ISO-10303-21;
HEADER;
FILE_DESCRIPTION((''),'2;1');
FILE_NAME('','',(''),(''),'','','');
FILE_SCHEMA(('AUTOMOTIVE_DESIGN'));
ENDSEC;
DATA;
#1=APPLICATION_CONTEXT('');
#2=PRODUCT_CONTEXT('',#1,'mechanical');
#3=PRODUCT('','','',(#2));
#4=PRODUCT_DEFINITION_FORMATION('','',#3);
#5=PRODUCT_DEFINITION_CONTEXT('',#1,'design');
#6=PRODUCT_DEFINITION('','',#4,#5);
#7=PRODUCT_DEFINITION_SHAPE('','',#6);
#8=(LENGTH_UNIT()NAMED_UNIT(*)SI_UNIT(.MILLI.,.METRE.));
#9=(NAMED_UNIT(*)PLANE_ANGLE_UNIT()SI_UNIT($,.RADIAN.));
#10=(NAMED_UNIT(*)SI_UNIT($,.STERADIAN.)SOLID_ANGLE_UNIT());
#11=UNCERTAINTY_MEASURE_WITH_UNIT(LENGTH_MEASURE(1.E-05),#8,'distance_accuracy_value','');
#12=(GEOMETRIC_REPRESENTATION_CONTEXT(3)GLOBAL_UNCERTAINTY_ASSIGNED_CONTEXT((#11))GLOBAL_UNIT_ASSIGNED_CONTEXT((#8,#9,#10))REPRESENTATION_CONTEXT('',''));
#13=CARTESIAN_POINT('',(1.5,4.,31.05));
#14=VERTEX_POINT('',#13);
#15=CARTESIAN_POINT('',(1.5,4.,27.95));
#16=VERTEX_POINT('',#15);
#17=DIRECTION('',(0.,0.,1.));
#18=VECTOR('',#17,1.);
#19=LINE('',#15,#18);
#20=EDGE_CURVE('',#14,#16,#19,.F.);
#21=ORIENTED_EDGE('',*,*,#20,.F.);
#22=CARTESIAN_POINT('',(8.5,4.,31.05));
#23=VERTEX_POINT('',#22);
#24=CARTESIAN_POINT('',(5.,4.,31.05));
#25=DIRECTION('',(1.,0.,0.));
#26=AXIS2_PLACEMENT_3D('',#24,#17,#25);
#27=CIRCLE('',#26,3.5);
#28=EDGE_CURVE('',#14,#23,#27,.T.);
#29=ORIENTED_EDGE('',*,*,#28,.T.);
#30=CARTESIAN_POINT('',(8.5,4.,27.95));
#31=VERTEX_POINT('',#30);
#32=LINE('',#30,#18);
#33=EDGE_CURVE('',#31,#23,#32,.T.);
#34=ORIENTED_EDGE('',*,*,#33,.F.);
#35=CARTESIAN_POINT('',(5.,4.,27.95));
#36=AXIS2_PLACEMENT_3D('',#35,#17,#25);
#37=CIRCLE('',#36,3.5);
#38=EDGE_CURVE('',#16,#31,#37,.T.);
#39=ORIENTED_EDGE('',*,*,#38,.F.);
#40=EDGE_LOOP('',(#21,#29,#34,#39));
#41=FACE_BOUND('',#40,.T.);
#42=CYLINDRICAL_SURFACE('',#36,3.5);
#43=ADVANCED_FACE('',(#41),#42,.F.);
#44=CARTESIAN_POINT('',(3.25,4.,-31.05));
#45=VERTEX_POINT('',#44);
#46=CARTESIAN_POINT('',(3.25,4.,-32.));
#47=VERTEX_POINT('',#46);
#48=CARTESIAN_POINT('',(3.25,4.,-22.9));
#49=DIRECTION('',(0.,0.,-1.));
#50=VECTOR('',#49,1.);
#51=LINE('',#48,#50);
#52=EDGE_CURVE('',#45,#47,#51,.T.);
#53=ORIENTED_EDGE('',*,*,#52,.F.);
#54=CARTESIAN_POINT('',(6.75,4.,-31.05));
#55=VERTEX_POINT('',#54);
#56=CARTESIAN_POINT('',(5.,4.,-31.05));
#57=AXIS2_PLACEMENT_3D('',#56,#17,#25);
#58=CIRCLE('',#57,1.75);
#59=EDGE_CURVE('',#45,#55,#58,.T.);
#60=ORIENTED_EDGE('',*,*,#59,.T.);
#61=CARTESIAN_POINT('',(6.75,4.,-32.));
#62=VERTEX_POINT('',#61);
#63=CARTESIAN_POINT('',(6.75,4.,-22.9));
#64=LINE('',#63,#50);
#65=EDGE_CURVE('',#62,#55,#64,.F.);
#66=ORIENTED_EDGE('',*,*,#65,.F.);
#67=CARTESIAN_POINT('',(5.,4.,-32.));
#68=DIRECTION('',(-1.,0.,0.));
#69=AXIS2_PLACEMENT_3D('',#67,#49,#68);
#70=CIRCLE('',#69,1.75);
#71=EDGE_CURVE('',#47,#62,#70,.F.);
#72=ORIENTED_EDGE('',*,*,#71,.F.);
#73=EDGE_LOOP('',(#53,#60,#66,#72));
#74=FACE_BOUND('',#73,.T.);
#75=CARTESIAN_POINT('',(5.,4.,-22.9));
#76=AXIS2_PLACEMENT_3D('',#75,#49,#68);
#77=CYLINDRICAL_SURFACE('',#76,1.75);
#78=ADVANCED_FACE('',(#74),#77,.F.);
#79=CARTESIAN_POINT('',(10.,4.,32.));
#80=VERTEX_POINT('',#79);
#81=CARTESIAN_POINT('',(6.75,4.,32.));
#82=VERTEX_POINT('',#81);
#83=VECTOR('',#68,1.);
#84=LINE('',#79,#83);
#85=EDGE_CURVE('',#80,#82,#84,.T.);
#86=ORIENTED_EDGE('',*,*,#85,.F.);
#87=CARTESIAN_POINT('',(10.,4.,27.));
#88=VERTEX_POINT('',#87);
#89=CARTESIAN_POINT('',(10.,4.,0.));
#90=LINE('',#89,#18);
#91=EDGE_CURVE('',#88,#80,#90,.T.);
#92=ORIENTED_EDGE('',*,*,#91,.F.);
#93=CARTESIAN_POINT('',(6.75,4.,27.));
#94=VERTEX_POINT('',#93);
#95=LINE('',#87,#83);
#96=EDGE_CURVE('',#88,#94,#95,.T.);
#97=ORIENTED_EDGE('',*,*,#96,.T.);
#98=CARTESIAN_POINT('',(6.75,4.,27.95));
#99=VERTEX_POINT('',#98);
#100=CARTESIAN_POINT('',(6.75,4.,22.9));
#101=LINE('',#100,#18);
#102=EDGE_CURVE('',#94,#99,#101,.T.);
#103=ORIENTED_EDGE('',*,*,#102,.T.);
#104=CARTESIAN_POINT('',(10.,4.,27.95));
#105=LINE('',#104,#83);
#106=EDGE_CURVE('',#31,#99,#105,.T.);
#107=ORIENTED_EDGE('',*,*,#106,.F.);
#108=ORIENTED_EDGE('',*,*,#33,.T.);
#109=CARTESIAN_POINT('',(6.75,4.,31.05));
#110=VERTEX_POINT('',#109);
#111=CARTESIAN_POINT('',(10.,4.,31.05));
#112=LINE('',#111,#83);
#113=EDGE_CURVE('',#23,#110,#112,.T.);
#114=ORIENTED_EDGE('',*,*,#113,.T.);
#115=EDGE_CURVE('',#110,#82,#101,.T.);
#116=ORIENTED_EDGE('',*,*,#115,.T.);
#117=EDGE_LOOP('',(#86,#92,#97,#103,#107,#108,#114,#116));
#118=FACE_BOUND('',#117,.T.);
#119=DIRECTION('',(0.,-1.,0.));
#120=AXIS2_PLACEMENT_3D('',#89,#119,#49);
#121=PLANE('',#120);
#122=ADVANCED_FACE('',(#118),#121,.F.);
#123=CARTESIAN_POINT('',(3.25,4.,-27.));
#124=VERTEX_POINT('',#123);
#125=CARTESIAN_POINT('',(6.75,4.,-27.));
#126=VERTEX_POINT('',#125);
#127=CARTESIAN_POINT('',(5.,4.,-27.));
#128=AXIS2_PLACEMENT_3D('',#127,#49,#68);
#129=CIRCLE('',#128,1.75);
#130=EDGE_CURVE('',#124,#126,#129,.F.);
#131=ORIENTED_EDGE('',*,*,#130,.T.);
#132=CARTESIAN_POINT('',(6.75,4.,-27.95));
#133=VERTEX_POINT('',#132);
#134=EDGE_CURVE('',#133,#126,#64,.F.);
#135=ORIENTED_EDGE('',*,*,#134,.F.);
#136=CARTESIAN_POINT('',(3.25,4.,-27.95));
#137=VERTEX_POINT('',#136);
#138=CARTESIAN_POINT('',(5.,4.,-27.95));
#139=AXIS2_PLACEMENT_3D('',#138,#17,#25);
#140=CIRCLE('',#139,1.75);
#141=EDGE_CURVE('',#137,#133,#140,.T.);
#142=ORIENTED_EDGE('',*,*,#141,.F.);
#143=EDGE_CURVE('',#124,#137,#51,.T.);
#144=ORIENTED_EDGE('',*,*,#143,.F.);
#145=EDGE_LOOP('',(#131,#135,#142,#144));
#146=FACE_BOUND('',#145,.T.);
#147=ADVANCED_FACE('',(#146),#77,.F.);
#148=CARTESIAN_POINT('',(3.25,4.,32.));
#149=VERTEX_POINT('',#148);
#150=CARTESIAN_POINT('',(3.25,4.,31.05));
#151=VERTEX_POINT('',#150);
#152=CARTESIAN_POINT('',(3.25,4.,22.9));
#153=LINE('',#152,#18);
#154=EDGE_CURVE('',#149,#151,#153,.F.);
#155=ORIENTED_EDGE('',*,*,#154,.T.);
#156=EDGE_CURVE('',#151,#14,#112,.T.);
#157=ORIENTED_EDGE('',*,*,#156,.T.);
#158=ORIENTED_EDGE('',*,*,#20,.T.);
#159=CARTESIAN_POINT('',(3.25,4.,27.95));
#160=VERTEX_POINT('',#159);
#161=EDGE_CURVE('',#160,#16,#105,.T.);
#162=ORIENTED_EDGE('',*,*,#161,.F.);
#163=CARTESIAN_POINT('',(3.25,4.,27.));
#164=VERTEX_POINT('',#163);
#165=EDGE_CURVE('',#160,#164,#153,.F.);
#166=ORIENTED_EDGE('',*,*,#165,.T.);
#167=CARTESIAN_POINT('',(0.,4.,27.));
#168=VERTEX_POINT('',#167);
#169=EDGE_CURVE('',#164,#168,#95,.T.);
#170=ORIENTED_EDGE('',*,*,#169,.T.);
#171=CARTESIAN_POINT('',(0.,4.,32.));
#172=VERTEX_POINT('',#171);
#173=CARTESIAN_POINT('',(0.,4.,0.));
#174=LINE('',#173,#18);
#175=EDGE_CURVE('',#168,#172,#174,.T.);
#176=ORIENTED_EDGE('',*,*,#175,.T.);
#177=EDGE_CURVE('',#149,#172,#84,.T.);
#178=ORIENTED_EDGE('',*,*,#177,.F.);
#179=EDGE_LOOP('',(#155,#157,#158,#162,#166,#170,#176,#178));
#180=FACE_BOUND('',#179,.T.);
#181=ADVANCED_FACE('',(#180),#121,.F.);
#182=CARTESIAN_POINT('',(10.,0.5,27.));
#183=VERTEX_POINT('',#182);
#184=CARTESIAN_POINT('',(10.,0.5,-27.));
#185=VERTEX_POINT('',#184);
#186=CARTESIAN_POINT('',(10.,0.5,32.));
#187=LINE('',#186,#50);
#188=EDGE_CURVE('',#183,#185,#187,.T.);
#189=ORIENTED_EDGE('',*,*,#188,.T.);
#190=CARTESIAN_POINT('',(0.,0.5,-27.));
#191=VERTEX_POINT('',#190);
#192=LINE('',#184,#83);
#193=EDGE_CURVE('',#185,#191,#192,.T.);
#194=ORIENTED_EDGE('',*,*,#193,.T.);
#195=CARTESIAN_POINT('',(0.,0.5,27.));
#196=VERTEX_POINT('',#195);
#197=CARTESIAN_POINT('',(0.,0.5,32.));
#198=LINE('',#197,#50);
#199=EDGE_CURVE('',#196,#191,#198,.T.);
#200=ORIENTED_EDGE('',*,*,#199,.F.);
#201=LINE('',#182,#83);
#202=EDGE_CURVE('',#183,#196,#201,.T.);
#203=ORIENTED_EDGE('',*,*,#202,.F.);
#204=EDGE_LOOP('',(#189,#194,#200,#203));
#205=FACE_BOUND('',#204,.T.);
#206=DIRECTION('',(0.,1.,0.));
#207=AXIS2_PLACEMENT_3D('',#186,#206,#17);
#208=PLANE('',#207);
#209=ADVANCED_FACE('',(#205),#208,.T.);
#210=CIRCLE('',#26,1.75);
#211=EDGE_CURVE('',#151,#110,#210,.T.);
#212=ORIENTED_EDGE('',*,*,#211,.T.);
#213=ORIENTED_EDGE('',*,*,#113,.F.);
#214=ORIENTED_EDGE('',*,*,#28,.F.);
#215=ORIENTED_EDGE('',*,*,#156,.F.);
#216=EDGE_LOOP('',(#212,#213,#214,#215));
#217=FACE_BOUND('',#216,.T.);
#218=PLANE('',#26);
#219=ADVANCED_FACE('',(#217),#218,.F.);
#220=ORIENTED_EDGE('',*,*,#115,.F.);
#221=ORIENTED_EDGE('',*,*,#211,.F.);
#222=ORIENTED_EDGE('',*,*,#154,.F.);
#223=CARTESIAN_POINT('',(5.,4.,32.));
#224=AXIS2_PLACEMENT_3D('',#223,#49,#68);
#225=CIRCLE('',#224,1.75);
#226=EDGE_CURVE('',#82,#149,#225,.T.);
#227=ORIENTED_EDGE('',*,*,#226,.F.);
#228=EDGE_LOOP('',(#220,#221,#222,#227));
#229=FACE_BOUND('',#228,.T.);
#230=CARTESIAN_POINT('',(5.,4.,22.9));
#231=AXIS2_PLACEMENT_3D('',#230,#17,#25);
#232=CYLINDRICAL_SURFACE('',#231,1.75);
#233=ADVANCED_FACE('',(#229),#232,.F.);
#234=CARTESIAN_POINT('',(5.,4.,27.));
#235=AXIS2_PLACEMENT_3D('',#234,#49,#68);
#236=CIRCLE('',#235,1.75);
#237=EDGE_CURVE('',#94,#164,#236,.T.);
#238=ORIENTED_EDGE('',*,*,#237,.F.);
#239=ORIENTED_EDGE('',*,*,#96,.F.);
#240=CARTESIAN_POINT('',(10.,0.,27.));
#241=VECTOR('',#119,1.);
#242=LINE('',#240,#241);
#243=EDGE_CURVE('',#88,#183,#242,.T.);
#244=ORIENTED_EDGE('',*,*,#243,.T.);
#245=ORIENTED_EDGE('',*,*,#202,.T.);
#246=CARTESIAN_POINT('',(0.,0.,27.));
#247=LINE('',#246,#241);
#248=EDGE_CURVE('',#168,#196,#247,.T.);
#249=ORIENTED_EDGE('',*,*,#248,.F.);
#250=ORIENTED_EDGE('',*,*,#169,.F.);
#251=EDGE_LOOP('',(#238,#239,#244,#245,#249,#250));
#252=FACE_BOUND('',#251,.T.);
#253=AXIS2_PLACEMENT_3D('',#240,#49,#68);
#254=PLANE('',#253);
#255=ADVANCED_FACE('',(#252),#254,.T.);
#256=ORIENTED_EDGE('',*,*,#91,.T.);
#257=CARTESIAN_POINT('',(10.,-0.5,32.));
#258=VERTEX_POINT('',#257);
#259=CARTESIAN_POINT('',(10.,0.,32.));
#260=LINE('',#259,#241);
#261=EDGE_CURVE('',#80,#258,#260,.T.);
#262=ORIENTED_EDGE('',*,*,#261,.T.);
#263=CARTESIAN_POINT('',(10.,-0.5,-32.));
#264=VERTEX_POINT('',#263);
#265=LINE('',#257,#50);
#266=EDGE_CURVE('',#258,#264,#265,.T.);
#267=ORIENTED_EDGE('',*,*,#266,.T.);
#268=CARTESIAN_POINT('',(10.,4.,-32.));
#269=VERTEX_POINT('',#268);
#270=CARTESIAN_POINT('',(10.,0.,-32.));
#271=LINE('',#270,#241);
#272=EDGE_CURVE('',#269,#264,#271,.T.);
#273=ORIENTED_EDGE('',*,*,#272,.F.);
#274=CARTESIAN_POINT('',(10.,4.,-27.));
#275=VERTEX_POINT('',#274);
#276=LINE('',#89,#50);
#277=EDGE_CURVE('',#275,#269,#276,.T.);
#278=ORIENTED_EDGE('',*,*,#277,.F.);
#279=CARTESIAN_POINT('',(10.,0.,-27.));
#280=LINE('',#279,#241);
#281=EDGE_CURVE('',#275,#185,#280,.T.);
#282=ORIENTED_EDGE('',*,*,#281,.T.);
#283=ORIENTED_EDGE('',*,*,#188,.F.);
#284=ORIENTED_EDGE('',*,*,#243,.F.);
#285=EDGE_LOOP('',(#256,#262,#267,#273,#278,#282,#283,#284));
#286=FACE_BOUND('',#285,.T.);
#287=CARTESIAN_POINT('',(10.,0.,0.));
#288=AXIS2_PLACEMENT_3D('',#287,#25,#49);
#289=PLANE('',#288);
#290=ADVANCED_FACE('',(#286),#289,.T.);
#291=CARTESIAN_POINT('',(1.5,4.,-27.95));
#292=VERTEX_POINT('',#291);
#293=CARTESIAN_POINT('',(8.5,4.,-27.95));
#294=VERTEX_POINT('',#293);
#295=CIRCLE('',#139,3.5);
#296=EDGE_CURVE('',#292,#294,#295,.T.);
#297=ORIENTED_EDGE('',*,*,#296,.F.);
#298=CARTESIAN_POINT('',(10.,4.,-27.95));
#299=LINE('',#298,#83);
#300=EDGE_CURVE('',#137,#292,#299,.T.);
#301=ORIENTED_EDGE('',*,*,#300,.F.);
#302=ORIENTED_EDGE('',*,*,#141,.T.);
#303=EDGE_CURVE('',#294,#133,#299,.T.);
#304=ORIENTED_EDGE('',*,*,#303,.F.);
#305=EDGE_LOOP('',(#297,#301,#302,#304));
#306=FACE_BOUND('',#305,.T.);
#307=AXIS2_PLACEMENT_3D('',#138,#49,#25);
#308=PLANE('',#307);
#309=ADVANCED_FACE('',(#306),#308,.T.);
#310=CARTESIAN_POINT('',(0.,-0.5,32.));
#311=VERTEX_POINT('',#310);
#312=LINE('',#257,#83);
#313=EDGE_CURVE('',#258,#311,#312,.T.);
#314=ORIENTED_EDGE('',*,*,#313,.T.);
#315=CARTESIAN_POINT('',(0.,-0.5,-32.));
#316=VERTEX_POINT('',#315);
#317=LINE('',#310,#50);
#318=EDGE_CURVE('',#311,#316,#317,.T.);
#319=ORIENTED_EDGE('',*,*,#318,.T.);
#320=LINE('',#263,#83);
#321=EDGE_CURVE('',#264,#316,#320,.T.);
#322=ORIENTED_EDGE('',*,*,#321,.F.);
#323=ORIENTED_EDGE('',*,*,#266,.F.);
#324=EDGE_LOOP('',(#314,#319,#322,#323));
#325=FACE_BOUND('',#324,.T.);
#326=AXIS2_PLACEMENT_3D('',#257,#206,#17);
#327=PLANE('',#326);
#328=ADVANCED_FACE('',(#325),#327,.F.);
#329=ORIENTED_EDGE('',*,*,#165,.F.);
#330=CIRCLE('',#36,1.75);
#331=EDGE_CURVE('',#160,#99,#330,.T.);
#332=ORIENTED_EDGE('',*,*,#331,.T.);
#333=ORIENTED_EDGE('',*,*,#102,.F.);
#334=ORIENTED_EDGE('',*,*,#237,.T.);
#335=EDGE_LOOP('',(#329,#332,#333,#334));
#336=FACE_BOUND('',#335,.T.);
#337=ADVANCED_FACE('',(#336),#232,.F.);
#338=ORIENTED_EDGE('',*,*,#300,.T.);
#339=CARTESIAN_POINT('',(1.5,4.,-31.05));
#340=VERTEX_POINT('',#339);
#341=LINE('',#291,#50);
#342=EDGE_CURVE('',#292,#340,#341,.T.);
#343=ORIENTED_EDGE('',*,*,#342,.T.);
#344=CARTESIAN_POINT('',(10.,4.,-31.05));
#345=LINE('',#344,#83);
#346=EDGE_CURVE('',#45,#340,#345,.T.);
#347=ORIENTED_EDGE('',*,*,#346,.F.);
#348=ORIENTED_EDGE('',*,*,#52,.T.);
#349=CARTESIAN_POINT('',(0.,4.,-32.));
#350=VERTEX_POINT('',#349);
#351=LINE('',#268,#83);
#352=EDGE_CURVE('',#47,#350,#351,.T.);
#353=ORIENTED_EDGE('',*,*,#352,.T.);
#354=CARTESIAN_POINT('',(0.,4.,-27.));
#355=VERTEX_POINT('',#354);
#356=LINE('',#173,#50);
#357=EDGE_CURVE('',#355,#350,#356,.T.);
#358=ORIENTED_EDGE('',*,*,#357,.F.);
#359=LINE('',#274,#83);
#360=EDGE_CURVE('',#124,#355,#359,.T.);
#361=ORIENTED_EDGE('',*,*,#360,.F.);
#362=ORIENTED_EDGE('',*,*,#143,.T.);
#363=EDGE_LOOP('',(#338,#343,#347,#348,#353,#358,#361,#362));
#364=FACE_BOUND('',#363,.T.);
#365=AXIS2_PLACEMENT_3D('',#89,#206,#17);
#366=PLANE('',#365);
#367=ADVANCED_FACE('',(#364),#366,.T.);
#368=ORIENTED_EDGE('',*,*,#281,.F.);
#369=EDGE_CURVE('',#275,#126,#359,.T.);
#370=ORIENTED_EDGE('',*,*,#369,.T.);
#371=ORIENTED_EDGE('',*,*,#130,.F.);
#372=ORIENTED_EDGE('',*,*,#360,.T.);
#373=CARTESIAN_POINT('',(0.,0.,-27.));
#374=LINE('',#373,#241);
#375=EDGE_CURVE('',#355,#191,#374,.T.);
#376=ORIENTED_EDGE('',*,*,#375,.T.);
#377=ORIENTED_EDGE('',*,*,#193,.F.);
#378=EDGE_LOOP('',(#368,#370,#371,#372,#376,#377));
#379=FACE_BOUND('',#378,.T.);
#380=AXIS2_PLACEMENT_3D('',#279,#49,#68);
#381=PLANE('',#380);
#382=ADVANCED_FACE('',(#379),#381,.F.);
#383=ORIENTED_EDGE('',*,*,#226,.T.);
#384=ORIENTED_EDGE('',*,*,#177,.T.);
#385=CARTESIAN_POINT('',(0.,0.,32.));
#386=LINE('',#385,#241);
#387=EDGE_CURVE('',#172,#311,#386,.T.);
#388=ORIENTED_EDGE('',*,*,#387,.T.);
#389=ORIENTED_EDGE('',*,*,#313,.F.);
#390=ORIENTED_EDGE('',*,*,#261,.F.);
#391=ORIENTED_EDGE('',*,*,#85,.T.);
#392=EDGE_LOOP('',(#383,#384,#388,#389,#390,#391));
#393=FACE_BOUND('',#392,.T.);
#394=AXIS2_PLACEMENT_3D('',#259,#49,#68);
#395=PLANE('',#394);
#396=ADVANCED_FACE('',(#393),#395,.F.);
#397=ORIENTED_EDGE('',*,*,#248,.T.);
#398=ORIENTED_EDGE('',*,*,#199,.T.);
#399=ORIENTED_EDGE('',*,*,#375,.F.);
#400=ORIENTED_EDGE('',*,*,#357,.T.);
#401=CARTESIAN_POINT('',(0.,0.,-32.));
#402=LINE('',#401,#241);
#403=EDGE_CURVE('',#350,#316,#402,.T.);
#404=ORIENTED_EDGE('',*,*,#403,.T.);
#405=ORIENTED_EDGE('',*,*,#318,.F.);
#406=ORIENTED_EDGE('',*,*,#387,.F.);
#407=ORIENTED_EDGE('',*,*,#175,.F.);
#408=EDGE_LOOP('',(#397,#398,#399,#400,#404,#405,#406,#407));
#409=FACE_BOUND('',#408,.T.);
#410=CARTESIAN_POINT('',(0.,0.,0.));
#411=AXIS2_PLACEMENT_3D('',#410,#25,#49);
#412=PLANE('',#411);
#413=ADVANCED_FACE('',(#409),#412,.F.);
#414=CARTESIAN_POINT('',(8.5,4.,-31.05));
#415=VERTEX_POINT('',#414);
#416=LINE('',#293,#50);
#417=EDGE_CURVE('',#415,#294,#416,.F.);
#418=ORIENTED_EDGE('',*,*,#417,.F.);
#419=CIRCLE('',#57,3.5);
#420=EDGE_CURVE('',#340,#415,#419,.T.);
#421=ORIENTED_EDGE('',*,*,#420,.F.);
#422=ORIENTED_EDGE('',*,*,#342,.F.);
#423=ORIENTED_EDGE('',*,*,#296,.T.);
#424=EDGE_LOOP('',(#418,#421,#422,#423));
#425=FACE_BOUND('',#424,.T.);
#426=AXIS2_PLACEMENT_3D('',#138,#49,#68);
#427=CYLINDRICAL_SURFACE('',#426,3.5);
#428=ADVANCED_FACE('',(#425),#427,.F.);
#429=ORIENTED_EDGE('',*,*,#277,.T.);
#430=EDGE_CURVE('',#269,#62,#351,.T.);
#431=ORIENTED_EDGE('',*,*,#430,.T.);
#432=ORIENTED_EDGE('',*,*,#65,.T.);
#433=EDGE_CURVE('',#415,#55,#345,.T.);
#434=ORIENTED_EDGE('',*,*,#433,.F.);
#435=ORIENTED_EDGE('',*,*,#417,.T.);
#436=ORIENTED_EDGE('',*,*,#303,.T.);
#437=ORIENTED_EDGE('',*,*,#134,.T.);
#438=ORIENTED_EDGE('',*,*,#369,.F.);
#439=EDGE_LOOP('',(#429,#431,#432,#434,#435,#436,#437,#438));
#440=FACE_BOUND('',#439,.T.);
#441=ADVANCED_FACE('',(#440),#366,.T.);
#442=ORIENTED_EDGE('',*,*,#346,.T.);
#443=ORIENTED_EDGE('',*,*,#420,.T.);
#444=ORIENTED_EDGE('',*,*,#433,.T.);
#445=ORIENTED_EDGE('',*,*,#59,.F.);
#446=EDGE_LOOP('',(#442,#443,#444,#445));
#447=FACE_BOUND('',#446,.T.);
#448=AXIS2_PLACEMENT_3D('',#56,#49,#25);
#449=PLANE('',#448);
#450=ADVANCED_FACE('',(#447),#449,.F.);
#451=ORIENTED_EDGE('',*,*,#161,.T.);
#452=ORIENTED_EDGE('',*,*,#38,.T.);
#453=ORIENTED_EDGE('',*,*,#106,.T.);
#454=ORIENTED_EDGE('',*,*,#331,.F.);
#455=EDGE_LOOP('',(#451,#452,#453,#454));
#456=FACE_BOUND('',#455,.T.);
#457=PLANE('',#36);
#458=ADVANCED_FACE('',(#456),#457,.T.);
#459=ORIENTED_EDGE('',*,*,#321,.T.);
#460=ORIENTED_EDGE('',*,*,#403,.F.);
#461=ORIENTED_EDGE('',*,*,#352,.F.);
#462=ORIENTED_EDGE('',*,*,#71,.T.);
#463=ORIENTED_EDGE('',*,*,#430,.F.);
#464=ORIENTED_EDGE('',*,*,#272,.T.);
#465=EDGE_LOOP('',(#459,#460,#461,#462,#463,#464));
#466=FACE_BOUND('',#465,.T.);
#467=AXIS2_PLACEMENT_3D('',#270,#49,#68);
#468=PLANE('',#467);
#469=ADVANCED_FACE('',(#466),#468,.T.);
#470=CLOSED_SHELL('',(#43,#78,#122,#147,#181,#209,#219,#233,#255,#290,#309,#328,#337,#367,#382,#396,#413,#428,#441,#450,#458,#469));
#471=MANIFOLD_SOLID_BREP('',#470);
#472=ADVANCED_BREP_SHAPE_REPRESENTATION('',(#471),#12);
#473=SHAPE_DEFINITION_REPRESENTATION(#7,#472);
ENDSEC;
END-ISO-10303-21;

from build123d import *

# Parameters (mm, degrees)
BOSS_EXTRUDE1_DEPTH = 10
SKETCH2_R           = 3.5
SKETCH2_R_2         = 1.75
CUT_EXTRUDE1_DEPTH  = 1.55
SKETCH2_2_R         = 1.75
CUT_EXTRUDE2_DEPTH  = 6.6


with BuildPart() as part:
    # Sketch1 → Boss-Extrude1 (new body)
    with BuildSketch(Plane(origin=(0, 0, 0), x_dir=(0, 0, -1), z_dir=(1, 0, 0))):
        Polygon((-32, 4), (-32, -0.5), (32, -0.5), (32, 4), (27, 4), (27, 0.5), (-27, 0.5), (-27, 4), align=None)
    extrude(amount=BOSS_EXTRUDE1_DEPTH)

    # Sketch2 → Cut-Extrude1 (cut, symmetric)
    with BuildSketch(Plane.XY.offset(29.5)):
        with Locations((5, 4)):
            Circle(SKETCH2_R)
        with Locations((5, 4)):
            Circle(SKETCH2_R_2, mode=Mode.SUBTRACT)
    cut_extrude1 = extrude(amount=CUT_EXTRUDE1_DEPTH, both=True, mode=Mode.SUBTRACT)

    # Sketch2<2> → Cut-Extrude2 (cut, symmetric)
    with BuildSketch(Plane.XY.offset(29.5)):
        with Locations((5, 4)):
            Circle(SKETCH2_2_R)
    cut_extrude2 = extrude(amount=CUT_EXTRUDE2_DEPTH, both=True, mode=Mode.SUBTRACT)

    # Mirror1: Cut-Extrude1 across plane
    add(cut_extrude1.mirror(Plane.XY), mode=Mode.SUBTRACT)

    # Mirror2: Cut-Extrude2 across plane
    add(cut_extrude2.mirror(Plane.XY), mode=Mode.SUBTRACT)


solid = part.part
